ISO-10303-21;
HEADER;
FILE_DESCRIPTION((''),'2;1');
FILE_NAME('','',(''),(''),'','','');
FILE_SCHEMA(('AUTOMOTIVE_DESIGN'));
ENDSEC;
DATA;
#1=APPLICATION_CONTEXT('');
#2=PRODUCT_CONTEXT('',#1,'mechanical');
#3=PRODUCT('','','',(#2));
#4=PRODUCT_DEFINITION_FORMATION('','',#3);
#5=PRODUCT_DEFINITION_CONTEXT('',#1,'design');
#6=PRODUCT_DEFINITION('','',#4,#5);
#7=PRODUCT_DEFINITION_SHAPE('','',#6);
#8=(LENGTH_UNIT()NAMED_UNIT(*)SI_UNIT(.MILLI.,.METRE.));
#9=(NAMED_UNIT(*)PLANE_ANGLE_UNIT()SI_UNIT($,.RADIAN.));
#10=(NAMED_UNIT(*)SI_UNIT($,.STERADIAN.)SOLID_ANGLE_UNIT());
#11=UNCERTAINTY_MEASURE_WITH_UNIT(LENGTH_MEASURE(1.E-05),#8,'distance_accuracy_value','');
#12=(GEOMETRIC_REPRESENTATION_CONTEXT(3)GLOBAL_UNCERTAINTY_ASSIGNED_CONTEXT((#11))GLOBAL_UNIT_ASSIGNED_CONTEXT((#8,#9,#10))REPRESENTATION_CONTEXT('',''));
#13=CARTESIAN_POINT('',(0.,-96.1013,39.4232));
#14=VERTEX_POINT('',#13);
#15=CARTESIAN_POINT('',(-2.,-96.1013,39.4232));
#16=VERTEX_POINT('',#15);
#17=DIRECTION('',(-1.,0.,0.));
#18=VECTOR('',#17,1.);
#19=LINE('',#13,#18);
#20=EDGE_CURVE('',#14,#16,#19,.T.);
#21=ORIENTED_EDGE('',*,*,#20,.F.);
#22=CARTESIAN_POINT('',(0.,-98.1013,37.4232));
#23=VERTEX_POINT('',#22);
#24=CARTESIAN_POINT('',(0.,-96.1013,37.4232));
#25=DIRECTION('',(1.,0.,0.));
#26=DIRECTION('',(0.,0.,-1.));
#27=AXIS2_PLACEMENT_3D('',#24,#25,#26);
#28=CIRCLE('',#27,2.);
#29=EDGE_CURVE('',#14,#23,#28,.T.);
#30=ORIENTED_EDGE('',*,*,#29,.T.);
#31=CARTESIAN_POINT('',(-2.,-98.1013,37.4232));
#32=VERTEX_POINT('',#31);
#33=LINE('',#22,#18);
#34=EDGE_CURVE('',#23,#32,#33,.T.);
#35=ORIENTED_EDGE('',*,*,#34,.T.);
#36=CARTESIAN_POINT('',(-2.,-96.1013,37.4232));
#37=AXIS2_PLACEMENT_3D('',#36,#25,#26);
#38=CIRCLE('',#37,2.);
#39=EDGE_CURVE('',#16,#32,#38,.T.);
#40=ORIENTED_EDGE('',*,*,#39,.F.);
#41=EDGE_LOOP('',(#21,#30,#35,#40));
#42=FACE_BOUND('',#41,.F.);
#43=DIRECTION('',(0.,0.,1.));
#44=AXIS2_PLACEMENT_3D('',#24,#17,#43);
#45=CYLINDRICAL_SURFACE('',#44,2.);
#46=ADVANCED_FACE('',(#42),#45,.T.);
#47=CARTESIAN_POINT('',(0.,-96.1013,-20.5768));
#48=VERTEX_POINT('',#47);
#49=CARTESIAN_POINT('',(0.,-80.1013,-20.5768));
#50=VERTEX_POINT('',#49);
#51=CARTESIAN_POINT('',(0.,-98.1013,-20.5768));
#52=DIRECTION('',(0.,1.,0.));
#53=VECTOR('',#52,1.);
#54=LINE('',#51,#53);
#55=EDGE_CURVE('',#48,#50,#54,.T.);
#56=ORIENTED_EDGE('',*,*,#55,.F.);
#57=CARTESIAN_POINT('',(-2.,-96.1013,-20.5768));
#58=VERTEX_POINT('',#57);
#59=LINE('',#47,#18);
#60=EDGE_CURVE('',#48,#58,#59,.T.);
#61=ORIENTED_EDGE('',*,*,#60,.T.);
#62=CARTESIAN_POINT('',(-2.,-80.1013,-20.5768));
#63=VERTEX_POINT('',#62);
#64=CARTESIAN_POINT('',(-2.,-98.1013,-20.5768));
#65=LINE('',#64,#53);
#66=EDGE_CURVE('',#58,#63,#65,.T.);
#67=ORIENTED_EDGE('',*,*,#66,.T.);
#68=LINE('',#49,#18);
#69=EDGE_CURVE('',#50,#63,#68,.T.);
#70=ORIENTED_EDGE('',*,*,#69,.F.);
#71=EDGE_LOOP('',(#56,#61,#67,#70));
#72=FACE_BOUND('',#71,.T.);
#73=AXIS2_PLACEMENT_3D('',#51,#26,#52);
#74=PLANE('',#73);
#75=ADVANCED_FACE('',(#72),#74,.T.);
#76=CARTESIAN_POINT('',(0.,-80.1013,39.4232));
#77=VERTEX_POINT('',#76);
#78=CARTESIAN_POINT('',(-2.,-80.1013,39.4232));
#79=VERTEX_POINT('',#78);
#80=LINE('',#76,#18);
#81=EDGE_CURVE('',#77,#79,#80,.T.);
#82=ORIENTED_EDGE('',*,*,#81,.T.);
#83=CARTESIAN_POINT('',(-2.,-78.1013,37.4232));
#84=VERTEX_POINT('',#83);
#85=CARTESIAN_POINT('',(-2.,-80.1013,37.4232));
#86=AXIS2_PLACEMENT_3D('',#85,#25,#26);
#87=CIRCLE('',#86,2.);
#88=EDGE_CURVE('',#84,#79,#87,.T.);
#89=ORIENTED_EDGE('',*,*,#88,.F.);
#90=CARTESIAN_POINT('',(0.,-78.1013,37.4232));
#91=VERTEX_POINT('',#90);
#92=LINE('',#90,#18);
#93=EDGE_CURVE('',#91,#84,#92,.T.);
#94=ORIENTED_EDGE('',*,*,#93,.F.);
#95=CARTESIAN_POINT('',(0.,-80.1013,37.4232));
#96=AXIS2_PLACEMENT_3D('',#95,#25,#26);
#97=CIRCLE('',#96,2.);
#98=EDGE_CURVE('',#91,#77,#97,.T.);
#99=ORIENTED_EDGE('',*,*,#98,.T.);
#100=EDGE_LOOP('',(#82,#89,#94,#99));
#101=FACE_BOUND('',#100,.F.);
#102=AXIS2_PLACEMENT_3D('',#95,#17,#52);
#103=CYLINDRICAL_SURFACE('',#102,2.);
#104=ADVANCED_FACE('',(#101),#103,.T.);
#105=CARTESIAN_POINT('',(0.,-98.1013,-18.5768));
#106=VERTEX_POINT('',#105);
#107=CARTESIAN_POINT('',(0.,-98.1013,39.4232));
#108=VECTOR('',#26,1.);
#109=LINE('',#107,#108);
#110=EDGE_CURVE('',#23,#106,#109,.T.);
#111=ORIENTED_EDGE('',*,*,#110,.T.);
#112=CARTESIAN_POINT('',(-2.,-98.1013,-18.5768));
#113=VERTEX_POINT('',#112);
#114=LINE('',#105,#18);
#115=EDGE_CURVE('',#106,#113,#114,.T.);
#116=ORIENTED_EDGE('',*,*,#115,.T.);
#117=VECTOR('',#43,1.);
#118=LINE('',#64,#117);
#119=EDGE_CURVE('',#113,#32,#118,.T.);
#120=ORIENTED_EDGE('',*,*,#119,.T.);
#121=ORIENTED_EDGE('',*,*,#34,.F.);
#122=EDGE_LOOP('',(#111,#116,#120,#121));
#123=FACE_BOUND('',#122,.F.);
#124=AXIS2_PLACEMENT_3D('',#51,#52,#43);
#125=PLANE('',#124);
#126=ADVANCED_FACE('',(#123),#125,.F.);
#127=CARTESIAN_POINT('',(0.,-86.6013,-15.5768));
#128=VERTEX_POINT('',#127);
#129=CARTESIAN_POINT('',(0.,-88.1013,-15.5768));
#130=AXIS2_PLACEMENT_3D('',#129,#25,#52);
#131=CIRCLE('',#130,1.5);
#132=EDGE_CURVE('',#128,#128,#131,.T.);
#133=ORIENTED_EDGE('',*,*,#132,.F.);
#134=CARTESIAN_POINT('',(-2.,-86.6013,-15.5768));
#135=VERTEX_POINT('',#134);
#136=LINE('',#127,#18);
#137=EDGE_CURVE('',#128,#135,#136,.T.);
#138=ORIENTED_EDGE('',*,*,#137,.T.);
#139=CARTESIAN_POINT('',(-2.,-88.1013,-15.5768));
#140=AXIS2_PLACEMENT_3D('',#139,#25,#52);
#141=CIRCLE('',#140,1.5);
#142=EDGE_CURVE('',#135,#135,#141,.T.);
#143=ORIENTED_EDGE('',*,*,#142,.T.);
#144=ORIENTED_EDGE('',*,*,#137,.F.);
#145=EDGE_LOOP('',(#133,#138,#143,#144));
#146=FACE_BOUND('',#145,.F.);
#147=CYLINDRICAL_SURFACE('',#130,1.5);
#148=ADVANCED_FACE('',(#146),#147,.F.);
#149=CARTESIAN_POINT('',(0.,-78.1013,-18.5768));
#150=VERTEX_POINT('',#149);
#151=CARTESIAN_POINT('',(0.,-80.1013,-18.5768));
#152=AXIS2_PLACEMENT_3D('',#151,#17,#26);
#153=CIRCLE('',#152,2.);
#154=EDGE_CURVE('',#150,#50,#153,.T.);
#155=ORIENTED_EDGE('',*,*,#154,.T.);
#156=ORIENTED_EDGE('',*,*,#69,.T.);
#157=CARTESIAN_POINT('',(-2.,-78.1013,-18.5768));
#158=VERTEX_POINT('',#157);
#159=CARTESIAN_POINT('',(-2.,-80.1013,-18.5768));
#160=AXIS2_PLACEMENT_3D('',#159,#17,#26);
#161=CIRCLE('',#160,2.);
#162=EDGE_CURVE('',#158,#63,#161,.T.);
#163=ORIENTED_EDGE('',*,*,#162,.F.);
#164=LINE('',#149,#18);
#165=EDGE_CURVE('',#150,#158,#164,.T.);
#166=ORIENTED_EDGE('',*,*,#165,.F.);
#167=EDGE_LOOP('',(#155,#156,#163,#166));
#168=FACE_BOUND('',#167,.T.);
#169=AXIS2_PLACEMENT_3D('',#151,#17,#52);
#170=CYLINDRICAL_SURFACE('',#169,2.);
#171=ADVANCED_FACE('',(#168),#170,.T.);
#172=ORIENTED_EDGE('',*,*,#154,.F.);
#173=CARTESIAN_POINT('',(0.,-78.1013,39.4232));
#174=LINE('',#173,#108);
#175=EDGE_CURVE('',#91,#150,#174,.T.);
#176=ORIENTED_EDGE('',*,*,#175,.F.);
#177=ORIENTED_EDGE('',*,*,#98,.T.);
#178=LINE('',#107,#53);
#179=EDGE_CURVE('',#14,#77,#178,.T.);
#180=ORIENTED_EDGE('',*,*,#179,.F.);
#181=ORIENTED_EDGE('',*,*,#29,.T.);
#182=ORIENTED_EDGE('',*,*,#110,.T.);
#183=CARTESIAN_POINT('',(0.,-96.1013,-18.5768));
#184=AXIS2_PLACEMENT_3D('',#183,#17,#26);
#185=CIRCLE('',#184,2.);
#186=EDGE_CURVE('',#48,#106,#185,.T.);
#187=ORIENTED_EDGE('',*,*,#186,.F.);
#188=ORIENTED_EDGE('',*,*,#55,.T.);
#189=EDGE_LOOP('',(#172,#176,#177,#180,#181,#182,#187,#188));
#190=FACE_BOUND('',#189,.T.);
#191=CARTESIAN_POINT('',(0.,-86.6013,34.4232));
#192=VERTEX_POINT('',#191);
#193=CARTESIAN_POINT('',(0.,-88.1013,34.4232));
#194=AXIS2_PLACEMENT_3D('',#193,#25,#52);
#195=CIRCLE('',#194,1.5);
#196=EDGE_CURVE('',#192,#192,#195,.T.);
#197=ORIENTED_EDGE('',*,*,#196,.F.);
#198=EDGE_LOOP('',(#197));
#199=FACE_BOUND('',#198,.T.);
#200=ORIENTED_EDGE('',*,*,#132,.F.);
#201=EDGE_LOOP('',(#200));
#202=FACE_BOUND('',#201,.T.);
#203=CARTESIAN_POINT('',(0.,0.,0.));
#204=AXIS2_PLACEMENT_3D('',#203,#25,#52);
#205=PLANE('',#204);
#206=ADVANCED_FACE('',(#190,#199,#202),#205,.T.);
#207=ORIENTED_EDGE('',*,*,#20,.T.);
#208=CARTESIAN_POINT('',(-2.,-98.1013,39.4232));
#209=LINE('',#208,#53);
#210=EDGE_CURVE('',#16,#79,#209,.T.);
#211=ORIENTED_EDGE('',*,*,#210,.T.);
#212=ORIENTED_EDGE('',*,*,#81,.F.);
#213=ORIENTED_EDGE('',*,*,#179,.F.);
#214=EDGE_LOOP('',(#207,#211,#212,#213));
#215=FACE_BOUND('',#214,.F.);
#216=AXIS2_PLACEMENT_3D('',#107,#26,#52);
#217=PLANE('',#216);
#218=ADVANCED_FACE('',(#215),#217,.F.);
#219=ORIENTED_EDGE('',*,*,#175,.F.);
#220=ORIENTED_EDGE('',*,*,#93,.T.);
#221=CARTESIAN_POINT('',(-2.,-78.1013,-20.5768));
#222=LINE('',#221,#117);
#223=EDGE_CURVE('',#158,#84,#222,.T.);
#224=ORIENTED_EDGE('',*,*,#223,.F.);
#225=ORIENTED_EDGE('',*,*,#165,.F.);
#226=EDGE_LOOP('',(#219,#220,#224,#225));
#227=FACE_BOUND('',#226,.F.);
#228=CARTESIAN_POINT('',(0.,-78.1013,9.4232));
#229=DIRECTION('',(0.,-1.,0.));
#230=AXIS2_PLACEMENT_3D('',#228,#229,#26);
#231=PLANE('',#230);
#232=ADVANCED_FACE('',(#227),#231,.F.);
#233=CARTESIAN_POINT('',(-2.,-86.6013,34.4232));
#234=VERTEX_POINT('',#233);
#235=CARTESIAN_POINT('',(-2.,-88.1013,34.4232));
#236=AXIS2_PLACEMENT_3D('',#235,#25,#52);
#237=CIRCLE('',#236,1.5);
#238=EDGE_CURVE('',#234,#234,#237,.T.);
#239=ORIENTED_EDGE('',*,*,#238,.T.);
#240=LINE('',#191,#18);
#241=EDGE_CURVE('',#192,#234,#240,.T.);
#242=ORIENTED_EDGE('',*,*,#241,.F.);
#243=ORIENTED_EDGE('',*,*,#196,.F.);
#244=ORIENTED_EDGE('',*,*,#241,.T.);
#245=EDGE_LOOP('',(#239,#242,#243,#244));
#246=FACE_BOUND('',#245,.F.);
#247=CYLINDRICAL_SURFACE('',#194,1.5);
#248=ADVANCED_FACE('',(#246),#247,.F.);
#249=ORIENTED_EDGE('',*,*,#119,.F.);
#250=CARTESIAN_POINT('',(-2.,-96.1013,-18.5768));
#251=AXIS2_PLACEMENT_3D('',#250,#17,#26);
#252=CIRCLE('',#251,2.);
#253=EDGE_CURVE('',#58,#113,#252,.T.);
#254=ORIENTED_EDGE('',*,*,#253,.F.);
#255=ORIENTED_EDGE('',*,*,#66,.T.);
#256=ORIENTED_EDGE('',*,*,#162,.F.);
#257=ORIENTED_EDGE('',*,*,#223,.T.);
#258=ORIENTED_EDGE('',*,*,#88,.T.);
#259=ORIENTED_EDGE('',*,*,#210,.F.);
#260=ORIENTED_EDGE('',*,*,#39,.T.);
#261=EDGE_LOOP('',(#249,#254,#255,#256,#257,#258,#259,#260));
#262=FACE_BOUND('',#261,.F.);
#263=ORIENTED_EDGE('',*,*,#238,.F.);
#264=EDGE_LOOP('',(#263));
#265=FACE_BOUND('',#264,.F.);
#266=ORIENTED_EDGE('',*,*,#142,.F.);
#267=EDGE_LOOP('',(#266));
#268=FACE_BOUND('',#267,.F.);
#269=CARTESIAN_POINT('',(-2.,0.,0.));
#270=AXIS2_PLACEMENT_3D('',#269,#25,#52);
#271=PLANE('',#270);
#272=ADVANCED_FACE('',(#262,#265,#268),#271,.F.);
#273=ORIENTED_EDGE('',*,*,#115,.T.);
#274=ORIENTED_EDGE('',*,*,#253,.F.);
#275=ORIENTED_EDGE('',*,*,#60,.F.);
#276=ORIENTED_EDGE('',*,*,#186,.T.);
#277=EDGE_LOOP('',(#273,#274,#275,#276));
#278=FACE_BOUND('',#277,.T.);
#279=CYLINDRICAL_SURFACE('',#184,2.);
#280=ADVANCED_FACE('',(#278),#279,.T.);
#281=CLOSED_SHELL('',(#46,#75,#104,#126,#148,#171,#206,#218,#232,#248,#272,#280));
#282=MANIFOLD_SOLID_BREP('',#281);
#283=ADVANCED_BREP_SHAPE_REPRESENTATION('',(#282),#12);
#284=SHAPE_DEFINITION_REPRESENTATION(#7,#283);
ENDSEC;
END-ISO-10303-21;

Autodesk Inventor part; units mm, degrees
ref_plane "YZ Plane" through (0, 0, 0) normal (1, 0, 0) x (0, 1, 0)
ref_plane "XZ Plane" through (0, 0, 0) normal (0, 1, 0) x (-1, 0, 0)
ref_plane "XY Plane" through (0, 0, 0) normal (0, 0, 1) x (1, 0, 0)
sketch "スケッチ1" plane through (0, 0, 0) normal (1, 0, 0) x (0, 1, 0)
  line L0 (-78.1013, 9.4232) -> (-98.1013, 9.4232)
  line L1 (-98.1013, 9.4232) -> (-78.1013, 9.4232)
  line L2 (-78.1013, 9.4232) -> (-78.1013, -630.5768)
  line L3 (-78.1013, -630.5768) -> (-98.1013, -630.5768)
  line L4 (-98.1013, -630.5768) -> (-98.1013, 9.4232)
  line L5 (90.8987, -620.5768) -> (110.8987, -620.5768)
  line L6 (110.8987, -620.5768) -> (110.8987, -53.5768)
  line L7 (110.8987, -53.5768) -> (90.8987, -53.5768)
  line L8 (90.8987, -53.5768) -> (90.8987, -620.5768)
  line L9 (90.8987, 19.4232) -> (90.8987, 586.4232)
  line L10 (-73.5639, 640.5027) -> (90.8987, -49.1588)
  line L11 (90.8987, -49.1588) -> (110.3532, -44.5196)
  line L12 (110.3532, -44.5196) -> (-54.1094, 645.142)
  line L13 (-54.1094, 645.142) -> (-73.5639, 640.5027)
  line L14 (-78.1013, 644.9232) -> (-78.1013, 9.4232)
  circle A0 centre (-88.1013, 639.9232) radius 1.5
  circle A1 centre (-88.1013, 639.9232) radius 1.5
  circle A2 centre (-88.1013, 629.9232) radius 1.5
  circle A3 centre (-88.1013, 629.9232) radius 1.5
  line L15 (-98.1013, 9.4232) -> (-98.1013, 644.9232)
  line L16 (-98.1013, 624.9232) -> (-78.1013, 624.9232)
  line L17 (-78.1013, 624.9232) -> (-67.7648, 616.1846)
  line L18 (-67.7648, 616.1846) -> (-48.3103, 620.8239)
  line L19 (-78.1013, 644.9232) -> (-54.1094, 645.142)
  circle A4 centre (-61.517, 633.0951) radius 1.5
  circle A5 centre (-59.1973, 623.3679) radius 1.5
  line L20 (-78.1013, 644.9232) -> (-98.1013, 644.9232)
  line L21 (-78.1013, 644.9232) -> (-98.1013, 644.9232)
  line L22 (-98.1013, 644.9232) -> (-98.1013, 624.9232)
  line L23 (-98.1013, -20.5768) -> (-78.1013, -20.5768)
  circle A6 centre (-88.1013, -15.5768) radius 1.5
  line L24 (-98.1013, 39.4232) -> (-78.1013, 39.4232)
  circle A7 centre (-88.1013, 34.4232) radius 1.5
  line L25 (-98.1013, 39.4232) -> (-98.1013, 8.2286)
  line L26 (-78.1013, 39.4232) -> (-78.1013, 9.4232)
  point P0 (0, 0)
  point P1 (-78.1013, 19.4232)
  point P2 (-88.1013, -605.5768)
  point P3 (100.8987, -605.5768)
  point P4 (100.8987, -58.5768)
  point P5 (100.8987, -68.5768)
  point P6 (100.8987, -620.5768)
  point P7 (98.3063, -37.112)
  point P8 (95.9867, -27.3847)
  point P9 (-58.0375, 618.5042)
  dimension "d0" = 20
  dimension "d1" = 640
  dimension "d2" = 20
  dimension "d3" = 567
  dimension "d4" = 10
  dimension "d5" = 0
  dimension "d6" = 25
  dimension "d7" = 15
  dimension "d8" = 10
  dimension "d9" = 10
  dimension "d10" = 5
  dimension "d11" = 10
  dimension "d12" = 10
  dimension "d13" = 10
  dimension "d14" = 20
  dimension "d15" = 709
  dimension "d16" = 4.4179
  dimension "d17" = 4.5374
  dimension "d18" = 10
  dimension "d19" = 10
  dimension "d20" = 10
  dimension "d21" = 10
  dimension "d22" = 10
  dimension "d23" = 10
  dimension "d24" = 10
  dimension "d25" = 10
  dimension "d26" = 25
  dimension "d27" = 10
  dimension "d28" = 3
  dimension "d29" = 3
  dimension "d30" = 5
  dimension "d31" = 5
  dimension "d32" = 3
  dimension "d33" = 3
  dimension "d34" = 5
  dimension "d35" = 3
  dimension "d36" = 5
extrude "押し出し1" add sketch "スケッチ1" against normal blind 2 contours L2 L23 L4 L0 | L0 L15 L24 L14
fillet "フィレット1" radius 2 4 edges at (-1, -78.1013, 39.4232) (-1, -98.1013, 39.4232) (-1, -98.1013, -20.5768) (-1, -78.1013, -20.5768)
equation "\"d21\" = d20"
properties part number "base_weel-v1-Plate-expand-1" material "アルミニウム 6061"
